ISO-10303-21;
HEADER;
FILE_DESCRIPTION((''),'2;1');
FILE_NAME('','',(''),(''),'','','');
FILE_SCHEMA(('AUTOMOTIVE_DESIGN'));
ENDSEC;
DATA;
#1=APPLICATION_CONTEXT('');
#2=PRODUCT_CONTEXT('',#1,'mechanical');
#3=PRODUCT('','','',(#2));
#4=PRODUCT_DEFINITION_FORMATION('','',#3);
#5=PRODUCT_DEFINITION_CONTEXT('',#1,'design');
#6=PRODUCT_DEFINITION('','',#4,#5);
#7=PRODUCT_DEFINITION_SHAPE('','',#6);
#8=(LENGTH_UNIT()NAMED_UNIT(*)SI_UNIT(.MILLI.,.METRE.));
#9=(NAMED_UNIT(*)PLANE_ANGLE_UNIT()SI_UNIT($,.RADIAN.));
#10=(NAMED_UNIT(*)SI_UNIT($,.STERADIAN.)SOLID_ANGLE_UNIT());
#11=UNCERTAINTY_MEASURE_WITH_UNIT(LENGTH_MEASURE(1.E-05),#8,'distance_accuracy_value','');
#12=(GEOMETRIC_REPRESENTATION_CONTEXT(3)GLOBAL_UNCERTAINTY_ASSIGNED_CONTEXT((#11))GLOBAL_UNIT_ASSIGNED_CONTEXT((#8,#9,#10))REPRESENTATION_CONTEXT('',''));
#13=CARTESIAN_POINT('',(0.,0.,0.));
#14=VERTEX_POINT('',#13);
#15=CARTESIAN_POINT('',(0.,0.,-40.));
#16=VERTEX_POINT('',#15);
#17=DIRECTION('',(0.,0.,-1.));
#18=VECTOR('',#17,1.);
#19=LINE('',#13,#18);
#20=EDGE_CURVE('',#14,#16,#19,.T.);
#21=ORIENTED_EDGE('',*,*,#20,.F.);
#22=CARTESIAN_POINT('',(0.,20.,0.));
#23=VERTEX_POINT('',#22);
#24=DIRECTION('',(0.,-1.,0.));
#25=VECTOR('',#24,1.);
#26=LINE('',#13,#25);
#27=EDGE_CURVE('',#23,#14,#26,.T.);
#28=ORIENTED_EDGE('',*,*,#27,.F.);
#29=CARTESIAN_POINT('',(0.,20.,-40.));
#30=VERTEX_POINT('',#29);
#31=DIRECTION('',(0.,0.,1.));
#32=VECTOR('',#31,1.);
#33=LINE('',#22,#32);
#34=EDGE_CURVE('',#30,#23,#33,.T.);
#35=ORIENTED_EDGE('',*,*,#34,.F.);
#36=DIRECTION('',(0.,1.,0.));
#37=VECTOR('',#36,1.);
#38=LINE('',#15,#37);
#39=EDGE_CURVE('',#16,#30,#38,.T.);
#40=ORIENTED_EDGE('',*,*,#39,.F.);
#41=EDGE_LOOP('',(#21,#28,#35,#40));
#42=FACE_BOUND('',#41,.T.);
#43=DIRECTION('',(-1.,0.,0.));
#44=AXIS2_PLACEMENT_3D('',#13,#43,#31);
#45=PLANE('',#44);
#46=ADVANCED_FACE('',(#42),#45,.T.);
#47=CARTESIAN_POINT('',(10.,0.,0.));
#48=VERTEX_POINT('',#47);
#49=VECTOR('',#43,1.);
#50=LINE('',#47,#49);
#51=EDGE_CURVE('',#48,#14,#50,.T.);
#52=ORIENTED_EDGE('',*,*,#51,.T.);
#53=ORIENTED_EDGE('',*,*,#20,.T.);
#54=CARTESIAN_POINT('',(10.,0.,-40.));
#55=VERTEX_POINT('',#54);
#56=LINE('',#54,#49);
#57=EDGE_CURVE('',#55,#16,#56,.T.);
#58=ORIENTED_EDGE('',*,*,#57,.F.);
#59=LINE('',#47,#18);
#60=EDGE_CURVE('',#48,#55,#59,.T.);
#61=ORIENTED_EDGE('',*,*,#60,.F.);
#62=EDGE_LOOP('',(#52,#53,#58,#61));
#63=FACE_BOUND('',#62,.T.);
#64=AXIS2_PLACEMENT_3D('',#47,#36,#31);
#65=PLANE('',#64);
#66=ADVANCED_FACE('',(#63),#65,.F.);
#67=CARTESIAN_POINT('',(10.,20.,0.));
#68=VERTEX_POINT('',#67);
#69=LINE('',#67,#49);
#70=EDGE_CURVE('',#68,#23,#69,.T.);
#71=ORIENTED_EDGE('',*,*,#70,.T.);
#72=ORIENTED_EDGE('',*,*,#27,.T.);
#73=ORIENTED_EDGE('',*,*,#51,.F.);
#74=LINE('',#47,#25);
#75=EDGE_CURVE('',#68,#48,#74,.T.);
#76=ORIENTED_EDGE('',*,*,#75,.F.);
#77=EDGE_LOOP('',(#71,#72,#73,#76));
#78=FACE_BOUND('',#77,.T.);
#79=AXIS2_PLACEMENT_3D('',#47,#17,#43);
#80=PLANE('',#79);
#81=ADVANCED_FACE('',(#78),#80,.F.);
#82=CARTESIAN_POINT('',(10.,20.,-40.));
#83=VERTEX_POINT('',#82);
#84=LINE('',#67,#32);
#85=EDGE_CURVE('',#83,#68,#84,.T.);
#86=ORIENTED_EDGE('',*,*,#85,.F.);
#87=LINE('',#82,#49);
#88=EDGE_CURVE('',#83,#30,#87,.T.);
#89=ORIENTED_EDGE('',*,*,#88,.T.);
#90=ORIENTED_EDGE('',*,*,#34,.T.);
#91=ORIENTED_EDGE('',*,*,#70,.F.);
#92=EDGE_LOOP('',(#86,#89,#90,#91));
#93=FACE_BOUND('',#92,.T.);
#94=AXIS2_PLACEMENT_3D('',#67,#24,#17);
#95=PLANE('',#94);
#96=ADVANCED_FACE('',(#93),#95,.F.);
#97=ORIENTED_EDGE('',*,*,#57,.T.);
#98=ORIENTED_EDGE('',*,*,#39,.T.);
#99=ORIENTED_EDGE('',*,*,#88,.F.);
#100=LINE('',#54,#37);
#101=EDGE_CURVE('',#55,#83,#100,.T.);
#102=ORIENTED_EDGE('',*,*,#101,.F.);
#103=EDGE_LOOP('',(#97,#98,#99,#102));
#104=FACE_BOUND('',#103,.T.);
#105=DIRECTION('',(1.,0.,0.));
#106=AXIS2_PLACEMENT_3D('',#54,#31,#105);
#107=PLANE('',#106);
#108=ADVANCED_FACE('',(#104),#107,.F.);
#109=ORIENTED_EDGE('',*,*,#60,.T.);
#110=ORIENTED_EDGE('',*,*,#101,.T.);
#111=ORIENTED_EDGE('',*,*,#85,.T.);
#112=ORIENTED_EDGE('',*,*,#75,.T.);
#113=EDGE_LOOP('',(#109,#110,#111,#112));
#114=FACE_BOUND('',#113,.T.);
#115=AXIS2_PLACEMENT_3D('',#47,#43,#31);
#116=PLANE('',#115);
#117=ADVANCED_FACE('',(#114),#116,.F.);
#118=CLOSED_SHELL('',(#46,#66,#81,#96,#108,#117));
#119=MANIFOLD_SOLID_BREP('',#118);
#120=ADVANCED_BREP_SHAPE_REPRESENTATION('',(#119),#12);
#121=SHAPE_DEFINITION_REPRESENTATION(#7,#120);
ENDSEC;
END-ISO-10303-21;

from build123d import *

# Parameters (mm, degrees)
SKETCH1_W           = 40
SKETCH1_H           = 20
BOSS_EXTRUDE1_DEPTH = 10


with BuildPart() as part:
    # Sketch1 → Boss-Extrude1 (new body)
    with BuildSketch(Plane(origin=(0, 0, 0), x_dir=(0, 0, -1), z_dir=(1, 0, 0))):
        with Locations((20, 10)):
            Rectangle(SKETCH1_W, SKETCH1_H)
    extrude(amount=BOSS_EXTRUDE1_DEPTH)


solid = part.part
